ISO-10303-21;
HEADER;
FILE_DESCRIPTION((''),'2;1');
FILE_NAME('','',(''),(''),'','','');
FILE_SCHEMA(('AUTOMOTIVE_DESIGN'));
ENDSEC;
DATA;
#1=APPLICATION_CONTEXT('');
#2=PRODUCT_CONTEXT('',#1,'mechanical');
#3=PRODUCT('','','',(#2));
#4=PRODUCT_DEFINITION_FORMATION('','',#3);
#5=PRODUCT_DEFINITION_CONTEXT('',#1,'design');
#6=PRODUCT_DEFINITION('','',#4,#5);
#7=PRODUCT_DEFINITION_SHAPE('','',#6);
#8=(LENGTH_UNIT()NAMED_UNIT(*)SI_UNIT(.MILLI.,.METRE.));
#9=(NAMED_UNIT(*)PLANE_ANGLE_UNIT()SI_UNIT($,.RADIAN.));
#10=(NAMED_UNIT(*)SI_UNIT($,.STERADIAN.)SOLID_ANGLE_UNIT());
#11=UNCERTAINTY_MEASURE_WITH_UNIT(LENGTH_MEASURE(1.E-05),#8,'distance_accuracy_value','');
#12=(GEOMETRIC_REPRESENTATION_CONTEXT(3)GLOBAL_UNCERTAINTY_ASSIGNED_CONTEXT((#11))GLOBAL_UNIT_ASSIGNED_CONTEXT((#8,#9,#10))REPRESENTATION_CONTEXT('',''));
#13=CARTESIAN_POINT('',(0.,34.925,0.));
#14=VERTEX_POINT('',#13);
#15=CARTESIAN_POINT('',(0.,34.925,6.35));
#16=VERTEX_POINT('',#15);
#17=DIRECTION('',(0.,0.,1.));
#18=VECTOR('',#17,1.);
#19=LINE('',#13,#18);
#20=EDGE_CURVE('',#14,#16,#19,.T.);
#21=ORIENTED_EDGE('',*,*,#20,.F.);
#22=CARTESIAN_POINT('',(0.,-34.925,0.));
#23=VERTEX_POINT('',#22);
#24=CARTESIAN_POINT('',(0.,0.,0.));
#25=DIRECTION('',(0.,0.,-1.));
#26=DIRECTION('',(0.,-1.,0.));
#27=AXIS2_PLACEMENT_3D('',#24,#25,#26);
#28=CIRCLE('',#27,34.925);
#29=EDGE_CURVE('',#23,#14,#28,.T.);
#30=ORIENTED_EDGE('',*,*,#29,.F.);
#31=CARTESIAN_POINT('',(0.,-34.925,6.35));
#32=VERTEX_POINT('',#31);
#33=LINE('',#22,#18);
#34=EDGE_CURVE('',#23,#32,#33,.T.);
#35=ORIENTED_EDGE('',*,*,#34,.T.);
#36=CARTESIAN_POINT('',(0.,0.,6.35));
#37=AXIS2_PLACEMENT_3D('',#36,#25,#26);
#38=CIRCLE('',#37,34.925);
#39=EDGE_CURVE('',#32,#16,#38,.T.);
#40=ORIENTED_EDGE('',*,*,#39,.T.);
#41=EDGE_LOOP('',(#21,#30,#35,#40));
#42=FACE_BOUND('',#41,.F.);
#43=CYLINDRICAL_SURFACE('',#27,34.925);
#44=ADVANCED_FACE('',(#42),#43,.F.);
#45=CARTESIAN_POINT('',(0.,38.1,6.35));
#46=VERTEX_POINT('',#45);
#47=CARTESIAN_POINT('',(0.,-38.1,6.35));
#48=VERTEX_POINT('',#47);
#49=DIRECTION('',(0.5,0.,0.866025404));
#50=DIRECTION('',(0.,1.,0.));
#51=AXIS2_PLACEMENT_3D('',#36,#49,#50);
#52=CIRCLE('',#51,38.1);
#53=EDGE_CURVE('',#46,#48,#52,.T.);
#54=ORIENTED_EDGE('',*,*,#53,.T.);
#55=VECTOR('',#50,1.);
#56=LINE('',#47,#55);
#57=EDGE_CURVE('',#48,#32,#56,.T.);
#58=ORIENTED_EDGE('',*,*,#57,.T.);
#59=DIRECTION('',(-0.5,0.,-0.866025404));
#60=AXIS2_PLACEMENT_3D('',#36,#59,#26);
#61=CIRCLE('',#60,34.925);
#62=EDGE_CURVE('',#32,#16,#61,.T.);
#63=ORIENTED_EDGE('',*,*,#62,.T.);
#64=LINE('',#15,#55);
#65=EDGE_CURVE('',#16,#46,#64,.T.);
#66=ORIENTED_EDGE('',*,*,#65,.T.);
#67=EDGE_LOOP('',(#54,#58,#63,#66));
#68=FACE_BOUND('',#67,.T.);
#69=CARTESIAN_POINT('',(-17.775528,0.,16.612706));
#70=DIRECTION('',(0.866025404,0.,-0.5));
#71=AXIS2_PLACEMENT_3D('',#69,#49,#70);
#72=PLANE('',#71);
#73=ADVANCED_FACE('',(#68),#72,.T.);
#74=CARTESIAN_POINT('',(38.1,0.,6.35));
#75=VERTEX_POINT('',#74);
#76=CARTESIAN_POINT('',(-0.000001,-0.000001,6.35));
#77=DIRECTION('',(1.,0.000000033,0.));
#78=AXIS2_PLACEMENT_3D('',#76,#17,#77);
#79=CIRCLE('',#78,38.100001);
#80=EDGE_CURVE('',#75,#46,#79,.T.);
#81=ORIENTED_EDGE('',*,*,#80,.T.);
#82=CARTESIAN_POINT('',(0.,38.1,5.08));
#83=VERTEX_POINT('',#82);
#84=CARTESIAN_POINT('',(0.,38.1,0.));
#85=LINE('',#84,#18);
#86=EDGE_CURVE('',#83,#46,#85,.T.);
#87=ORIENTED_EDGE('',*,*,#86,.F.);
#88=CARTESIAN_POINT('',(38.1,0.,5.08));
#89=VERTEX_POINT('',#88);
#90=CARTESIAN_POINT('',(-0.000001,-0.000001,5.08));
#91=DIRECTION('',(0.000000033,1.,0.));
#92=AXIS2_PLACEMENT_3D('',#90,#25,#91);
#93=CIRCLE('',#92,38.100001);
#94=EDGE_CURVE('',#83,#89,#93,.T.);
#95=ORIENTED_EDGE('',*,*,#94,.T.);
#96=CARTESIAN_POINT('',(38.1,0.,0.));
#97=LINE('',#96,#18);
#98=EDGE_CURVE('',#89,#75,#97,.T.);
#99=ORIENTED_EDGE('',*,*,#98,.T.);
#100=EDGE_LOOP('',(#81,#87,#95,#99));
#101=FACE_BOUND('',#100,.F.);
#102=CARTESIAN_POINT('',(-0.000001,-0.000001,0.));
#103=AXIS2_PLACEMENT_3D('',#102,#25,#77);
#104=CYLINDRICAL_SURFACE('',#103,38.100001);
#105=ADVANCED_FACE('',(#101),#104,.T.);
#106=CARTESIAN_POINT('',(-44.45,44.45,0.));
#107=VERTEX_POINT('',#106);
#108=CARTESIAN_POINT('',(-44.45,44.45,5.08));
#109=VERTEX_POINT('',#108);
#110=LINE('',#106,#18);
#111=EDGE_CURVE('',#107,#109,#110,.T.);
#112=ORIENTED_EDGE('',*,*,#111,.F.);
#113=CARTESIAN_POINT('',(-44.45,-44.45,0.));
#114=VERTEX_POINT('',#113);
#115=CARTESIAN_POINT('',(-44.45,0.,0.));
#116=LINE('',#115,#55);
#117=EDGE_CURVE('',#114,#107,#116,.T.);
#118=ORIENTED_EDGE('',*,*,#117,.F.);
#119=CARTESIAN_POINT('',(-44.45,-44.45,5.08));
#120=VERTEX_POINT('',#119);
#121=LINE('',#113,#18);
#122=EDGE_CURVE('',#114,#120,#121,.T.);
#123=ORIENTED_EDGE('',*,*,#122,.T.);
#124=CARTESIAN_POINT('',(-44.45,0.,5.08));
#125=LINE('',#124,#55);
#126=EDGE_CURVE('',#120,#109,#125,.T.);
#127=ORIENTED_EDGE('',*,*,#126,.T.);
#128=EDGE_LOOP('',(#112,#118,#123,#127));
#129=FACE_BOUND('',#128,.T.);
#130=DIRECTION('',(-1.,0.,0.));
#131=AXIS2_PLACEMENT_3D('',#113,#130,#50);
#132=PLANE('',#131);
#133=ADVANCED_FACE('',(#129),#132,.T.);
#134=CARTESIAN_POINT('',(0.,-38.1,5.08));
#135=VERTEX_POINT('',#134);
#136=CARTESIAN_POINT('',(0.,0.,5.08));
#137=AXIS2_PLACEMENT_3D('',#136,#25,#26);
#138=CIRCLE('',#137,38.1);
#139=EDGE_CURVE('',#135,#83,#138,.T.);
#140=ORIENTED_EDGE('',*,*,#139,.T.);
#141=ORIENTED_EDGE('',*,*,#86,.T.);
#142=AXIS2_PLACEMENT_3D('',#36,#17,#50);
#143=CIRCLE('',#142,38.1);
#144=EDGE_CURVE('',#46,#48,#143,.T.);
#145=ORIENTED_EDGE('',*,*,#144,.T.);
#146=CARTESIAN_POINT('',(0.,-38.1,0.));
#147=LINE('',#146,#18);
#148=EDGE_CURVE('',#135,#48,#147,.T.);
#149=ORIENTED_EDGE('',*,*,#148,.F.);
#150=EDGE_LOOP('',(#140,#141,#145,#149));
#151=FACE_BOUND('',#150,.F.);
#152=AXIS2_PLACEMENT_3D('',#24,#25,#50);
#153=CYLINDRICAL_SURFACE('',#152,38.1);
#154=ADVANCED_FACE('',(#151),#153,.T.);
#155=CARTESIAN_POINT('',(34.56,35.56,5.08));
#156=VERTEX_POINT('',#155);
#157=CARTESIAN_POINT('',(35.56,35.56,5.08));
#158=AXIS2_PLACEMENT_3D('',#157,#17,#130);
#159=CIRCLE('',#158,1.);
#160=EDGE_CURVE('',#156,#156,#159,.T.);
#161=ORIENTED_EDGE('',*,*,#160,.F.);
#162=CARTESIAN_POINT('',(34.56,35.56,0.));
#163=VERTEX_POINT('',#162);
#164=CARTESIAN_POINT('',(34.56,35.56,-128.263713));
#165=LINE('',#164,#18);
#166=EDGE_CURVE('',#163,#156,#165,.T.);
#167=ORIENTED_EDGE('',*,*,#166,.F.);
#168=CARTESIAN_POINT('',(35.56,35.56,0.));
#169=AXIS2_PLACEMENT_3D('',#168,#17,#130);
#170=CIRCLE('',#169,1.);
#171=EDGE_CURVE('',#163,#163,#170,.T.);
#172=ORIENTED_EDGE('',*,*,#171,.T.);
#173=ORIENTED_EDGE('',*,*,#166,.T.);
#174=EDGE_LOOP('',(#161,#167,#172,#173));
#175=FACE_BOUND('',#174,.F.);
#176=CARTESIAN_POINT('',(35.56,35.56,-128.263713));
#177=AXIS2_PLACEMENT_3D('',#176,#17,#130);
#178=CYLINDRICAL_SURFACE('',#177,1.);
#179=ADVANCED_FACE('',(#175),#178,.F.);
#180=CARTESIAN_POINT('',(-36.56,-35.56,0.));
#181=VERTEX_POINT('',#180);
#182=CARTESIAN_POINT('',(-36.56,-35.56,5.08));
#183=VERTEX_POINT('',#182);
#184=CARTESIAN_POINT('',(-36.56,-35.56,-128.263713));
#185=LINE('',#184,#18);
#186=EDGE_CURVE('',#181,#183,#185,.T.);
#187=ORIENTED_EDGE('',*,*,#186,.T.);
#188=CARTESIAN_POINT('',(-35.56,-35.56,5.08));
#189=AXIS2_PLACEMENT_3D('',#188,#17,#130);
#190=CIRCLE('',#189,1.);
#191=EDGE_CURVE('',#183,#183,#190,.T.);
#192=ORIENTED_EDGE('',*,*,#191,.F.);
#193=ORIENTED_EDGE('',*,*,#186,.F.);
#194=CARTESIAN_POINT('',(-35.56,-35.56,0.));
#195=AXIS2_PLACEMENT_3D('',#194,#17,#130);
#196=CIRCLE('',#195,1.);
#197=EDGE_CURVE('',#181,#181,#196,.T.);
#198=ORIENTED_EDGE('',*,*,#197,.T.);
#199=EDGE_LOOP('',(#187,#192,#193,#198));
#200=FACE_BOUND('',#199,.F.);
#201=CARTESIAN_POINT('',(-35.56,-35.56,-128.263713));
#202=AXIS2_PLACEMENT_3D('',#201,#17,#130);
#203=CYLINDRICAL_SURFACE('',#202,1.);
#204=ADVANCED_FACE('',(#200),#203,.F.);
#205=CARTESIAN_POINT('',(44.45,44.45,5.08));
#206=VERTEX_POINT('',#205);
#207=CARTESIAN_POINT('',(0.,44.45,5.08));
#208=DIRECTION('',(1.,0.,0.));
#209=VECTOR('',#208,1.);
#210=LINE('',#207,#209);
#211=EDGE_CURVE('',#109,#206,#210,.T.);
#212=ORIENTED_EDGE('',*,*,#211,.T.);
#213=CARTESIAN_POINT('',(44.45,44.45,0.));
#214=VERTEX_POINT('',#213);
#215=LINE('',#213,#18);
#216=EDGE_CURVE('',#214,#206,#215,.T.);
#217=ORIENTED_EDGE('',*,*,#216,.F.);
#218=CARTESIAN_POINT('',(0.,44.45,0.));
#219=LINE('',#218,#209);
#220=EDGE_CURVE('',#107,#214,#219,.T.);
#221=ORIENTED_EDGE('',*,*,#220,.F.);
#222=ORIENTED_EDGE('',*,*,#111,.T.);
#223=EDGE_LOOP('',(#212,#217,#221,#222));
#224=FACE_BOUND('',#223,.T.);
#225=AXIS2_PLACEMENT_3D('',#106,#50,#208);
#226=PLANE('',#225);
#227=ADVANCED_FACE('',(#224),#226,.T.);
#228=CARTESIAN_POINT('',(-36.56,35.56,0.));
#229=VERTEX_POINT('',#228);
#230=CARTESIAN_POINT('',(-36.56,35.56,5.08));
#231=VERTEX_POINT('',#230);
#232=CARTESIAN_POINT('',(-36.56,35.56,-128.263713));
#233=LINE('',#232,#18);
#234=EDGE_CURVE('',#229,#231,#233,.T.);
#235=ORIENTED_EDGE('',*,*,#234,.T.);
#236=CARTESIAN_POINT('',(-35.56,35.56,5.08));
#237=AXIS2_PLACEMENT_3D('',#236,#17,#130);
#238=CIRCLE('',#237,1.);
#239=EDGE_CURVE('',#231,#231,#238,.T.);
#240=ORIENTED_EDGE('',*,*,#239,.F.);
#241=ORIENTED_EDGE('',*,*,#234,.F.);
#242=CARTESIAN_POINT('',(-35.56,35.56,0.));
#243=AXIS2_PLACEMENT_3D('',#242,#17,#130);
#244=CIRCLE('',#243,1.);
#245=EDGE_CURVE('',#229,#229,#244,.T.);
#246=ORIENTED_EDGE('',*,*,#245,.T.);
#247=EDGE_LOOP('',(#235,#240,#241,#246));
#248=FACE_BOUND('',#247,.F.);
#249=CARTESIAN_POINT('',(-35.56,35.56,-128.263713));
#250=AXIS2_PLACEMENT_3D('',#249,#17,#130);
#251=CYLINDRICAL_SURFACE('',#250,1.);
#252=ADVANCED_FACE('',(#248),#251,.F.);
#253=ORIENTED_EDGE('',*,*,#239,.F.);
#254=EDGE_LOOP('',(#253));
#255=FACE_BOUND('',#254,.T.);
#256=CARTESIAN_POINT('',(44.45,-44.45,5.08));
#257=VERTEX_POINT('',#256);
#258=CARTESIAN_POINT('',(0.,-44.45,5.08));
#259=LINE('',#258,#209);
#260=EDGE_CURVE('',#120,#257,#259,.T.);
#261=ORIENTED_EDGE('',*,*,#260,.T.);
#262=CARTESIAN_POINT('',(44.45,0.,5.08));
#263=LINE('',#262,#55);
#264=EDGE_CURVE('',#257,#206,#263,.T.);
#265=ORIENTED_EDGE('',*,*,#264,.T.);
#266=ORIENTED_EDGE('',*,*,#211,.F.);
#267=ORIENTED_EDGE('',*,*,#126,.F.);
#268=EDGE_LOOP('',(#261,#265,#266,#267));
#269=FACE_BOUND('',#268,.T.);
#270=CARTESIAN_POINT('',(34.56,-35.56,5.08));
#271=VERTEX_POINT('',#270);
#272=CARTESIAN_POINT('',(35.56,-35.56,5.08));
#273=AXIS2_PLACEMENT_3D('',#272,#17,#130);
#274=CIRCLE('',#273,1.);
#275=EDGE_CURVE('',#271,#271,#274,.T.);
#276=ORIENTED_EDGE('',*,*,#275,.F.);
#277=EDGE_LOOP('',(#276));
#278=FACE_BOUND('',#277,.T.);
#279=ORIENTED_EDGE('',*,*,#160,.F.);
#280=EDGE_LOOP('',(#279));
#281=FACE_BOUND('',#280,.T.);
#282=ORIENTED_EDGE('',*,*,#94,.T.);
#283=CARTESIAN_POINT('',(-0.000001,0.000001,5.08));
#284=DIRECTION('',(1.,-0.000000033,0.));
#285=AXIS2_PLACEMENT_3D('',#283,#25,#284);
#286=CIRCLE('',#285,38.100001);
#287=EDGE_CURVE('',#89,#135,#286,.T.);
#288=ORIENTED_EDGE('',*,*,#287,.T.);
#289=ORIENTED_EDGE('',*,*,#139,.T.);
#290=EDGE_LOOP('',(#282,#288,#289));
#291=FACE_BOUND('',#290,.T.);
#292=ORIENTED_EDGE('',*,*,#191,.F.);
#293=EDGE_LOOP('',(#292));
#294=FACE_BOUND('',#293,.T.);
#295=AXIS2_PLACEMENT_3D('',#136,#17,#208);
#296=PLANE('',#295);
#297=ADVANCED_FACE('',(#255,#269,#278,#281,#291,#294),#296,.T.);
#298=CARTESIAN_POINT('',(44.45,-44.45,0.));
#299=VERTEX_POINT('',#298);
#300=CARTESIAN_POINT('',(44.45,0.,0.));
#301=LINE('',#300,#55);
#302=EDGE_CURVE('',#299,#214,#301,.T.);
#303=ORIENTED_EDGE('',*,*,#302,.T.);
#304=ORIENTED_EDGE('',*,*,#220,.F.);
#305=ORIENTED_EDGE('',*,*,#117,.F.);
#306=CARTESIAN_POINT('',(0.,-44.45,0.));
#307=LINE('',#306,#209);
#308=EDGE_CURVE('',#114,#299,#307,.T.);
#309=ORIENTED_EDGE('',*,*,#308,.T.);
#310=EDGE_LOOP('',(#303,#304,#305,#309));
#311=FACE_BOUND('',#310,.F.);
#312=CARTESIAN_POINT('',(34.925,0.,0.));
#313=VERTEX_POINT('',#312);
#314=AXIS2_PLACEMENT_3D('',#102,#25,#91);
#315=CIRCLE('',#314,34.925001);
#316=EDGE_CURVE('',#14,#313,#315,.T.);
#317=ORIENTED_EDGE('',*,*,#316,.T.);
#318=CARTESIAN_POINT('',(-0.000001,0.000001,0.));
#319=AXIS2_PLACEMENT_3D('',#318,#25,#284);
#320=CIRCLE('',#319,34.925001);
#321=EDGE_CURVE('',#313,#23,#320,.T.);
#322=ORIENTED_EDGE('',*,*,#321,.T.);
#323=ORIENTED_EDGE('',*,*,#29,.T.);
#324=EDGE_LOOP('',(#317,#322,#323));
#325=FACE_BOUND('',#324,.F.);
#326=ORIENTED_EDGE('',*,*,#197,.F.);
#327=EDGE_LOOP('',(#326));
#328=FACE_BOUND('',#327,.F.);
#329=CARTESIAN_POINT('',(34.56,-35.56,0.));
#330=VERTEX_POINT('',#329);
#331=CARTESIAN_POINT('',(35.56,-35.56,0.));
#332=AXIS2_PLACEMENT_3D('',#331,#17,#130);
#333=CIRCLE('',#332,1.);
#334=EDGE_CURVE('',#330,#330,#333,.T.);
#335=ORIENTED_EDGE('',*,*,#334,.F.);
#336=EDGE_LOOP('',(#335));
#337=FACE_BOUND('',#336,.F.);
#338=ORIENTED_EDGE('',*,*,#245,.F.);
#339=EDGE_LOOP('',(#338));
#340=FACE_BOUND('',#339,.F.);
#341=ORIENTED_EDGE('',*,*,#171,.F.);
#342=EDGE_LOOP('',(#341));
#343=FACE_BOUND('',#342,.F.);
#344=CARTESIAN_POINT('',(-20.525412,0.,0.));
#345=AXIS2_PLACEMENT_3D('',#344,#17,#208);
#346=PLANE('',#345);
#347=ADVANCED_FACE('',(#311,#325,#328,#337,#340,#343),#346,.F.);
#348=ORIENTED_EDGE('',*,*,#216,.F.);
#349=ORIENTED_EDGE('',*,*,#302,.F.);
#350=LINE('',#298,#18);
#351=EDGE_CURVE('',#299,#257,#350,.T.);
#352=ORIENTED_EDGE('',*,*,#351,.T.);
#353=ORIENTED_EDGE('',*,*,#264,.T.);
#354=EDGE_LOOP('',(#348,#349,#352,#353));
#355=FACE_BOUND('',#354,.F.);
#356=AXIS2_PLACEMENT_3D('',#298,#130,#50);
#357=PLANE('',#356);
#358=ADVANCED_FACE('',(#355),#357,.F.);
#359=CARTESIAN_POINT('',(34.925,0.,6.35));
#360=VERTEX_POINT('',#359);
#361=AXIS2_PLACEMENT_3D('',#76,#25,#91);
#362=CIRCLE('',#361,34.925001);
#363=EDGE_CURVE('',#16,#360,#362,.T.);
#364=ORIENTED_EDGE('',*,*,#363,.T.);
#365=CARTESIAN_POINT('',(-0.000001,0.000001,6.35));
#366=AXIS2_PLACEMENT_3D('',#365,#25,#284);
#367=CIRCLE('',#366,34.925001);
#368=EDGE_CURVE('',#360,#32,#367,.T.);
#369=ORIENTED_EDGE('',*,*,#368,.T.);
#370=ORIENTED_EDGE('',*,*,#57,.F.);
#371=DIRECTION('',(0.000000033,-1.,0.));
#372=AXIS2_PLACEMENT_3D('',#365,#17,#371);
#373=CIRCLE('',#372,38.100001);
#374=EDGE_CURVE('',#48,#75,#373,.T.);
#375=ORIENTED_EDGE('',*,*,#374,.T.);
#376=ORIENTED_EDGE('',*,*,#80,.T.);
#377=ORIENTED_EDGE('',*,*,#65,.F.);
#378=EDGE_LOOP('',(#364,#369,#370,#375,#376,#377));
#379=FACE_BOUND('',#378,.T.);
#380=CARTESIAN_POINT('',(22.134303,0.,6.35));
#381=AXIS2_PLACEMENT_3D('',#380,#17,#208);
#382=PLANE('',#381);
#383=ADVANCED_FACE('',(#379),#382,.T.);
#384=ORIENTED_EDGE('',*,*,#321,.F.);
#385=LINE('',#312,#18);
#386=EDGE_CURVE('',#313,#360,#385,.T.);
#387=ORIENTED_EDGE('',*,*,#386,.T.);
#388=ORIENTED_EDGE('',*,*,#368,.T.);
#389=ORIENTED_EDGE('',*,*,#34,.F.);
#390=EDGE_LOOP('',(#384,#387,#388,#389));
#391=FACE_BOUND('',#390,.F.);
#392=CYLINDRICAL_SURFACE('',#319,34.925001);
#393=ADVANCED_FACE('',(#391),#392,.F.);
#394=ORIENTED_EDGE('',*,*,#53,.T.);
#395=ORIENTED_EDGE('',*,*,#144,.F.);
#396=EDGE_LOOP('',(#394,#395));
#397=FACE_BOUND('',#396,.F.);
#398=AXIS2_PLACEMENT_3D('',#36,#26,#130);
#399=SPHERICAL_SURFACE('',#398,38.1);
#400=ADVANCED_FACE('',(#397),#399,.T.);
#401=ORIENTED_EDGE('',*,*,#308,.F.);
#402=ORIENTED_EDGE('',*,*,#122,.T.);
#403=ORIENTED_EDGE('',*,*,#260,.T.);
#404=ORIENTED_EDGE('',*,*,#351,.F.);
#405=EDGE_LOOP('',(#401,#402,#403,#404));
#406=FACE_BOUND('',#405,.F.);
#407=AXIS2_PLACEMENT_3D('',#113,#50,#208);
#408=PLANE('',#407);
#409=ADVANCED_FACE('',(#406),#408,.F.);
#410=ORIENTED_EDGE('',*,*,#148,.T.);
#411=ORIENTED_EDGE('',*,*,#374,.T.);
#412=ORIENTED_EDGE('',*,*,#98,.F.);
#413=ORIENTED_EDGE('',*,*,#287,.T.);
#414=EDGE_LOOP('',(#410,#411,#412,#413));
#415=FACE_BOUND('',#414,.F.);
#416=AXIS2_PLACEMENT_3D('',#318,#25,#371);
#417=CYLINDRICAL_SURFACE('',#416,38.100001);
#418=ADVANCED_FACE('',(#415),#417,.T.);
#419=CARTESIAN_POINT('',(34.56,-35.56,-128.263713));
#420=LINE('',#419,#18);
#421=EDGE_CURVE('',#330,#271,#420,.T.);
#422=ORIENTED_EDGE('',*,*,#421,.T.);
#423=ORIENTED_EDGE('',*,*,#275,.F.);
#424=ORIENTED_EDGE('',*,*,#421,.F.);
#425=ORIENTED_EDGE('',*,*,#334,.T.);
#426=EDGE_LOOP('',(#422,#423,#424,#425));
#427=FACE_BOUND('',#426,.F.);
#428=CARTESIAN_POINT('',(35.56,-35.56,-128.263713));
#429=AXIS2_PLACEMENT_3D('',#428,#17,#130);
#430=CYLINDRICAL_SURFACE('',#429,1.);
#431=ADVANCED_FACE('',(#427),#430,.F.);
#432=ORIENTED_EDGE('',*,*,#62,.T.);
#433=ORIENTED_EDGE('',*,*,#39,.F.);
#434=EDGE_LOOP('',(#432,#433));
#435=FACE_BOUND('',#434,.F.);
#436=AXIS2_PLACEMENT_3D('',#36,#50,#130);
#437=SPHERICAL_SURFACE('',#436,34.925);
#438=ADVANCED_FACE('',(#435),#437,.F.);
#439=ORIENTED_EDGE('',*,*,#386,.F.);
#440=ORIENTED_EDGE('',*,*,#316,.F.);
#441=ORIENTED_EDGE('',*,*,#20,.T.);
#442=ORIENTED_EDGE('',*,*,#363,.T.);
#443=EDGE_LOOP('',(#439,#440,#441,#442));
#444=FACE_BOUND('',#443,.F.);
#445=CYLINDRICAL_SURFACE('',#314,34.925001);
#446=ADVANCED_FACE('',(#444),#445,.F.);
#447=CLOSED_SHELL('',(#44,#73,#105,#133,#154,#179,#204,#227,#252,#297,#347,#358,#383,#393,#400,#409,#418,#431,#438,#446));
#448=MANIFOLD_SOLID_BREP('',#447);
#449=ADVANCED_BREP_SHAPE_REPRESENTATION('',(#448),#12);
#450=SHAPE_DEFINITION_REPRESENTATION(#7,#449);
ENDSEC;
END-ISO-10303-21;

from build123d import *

# Parameters (mm, degrees)
F0_W     = 88.9
F0_H     = 88.9
F1_DEPTH = 5.08
F2_DEPTH = 6.35
F3_DEPTH = 6.35
F5_ANGLE = -30
F6_D     = 2


with BuildPart() as f1:
    # F0 (on Top) → F1 (new body)
    with BuildSketch(Plane.XY):
        Rectangle(F0_W, F0_H)
        with BuildLine():
            ThreePointArc((0, 38.1), (26.940768, 26.940768), (38.1, 0))
            ThreePointArc((38.1, 0), (26.940768, -26.940768), (0, -38.1))
            ThreePointArc((0, -38.1), (-38.1, 0), (0, 38.1))
        make_face(mode=Mode.SUBTRACT)
    extrude(amount=F1_DEPTH)

    # F0 (on Top) → F2 (join)
    with BuildSketch(Plane.XY):
        with BuildLine():
            Line((0, 34.925), (0, 38.1))
            ThreePointArc((0, 38.1), (-38.1, 0), (0, -38.1))
            Line((0, -38.1), (0, -34.925))
            ThreePointArc((0, -34.925), (-34.925, 0), (0, 34.925))
        make_face()
    extrude(amount=F2_DEPTH)

    # F0 (on Top) → F3 (join)
    with BuildSketch(Plane.XY):
        with BuildLine():
            ThreePointArc((0, -38.1), (26.940768, -26.940768), (38.1, 0))
            ThreePointArc((38.1, 0), (26.940768, 26.940768), (0, 38.1))
            Line((0, 38.1), (0, 34.925))
            ThreePointArc((0, 34.925), (24.695704, 24.695704), (34.925, 0))
            ThreePointArc((34.925, 0), (24.695704, -24.695704), (0, -34.925))
            Line((0, -34.925), (0, -38.1))
        make_face()
    extrude(amount=F3_DEPTH)

    # F4 (on face) → F5 (revolve)
    with BuildSketch(Plane.XY.offset(6.35)):
        with BuildLine():
            Line((0, -38.1), (0, -34.925))
            ThreePointArc((0, -34.925), (-34.925, 0), (0, 34.925))
            Line((0, 34.925), (0, 38.1))
            ThreePointArc((0, 38.1), (-38.1, 0), (0, -38.1))
        make_face()
    revolve(axis=Axis((0, -36.5125, 6.35), (0, -1, 0)), revolution_arc=F5_ANGLE)

    # F6 (through all)
    with Locations(Plane(origin=(0, 0, 0), x_dir=(1, 0, 0), z_dir=(0, 0, -1))):
        with Locations((35.56, 35.56), (35.56, -35.56), (-35.56, -35.56), (-35.56, 35.56)):
            Hole(F6_D / 2)


solid = f1.part
